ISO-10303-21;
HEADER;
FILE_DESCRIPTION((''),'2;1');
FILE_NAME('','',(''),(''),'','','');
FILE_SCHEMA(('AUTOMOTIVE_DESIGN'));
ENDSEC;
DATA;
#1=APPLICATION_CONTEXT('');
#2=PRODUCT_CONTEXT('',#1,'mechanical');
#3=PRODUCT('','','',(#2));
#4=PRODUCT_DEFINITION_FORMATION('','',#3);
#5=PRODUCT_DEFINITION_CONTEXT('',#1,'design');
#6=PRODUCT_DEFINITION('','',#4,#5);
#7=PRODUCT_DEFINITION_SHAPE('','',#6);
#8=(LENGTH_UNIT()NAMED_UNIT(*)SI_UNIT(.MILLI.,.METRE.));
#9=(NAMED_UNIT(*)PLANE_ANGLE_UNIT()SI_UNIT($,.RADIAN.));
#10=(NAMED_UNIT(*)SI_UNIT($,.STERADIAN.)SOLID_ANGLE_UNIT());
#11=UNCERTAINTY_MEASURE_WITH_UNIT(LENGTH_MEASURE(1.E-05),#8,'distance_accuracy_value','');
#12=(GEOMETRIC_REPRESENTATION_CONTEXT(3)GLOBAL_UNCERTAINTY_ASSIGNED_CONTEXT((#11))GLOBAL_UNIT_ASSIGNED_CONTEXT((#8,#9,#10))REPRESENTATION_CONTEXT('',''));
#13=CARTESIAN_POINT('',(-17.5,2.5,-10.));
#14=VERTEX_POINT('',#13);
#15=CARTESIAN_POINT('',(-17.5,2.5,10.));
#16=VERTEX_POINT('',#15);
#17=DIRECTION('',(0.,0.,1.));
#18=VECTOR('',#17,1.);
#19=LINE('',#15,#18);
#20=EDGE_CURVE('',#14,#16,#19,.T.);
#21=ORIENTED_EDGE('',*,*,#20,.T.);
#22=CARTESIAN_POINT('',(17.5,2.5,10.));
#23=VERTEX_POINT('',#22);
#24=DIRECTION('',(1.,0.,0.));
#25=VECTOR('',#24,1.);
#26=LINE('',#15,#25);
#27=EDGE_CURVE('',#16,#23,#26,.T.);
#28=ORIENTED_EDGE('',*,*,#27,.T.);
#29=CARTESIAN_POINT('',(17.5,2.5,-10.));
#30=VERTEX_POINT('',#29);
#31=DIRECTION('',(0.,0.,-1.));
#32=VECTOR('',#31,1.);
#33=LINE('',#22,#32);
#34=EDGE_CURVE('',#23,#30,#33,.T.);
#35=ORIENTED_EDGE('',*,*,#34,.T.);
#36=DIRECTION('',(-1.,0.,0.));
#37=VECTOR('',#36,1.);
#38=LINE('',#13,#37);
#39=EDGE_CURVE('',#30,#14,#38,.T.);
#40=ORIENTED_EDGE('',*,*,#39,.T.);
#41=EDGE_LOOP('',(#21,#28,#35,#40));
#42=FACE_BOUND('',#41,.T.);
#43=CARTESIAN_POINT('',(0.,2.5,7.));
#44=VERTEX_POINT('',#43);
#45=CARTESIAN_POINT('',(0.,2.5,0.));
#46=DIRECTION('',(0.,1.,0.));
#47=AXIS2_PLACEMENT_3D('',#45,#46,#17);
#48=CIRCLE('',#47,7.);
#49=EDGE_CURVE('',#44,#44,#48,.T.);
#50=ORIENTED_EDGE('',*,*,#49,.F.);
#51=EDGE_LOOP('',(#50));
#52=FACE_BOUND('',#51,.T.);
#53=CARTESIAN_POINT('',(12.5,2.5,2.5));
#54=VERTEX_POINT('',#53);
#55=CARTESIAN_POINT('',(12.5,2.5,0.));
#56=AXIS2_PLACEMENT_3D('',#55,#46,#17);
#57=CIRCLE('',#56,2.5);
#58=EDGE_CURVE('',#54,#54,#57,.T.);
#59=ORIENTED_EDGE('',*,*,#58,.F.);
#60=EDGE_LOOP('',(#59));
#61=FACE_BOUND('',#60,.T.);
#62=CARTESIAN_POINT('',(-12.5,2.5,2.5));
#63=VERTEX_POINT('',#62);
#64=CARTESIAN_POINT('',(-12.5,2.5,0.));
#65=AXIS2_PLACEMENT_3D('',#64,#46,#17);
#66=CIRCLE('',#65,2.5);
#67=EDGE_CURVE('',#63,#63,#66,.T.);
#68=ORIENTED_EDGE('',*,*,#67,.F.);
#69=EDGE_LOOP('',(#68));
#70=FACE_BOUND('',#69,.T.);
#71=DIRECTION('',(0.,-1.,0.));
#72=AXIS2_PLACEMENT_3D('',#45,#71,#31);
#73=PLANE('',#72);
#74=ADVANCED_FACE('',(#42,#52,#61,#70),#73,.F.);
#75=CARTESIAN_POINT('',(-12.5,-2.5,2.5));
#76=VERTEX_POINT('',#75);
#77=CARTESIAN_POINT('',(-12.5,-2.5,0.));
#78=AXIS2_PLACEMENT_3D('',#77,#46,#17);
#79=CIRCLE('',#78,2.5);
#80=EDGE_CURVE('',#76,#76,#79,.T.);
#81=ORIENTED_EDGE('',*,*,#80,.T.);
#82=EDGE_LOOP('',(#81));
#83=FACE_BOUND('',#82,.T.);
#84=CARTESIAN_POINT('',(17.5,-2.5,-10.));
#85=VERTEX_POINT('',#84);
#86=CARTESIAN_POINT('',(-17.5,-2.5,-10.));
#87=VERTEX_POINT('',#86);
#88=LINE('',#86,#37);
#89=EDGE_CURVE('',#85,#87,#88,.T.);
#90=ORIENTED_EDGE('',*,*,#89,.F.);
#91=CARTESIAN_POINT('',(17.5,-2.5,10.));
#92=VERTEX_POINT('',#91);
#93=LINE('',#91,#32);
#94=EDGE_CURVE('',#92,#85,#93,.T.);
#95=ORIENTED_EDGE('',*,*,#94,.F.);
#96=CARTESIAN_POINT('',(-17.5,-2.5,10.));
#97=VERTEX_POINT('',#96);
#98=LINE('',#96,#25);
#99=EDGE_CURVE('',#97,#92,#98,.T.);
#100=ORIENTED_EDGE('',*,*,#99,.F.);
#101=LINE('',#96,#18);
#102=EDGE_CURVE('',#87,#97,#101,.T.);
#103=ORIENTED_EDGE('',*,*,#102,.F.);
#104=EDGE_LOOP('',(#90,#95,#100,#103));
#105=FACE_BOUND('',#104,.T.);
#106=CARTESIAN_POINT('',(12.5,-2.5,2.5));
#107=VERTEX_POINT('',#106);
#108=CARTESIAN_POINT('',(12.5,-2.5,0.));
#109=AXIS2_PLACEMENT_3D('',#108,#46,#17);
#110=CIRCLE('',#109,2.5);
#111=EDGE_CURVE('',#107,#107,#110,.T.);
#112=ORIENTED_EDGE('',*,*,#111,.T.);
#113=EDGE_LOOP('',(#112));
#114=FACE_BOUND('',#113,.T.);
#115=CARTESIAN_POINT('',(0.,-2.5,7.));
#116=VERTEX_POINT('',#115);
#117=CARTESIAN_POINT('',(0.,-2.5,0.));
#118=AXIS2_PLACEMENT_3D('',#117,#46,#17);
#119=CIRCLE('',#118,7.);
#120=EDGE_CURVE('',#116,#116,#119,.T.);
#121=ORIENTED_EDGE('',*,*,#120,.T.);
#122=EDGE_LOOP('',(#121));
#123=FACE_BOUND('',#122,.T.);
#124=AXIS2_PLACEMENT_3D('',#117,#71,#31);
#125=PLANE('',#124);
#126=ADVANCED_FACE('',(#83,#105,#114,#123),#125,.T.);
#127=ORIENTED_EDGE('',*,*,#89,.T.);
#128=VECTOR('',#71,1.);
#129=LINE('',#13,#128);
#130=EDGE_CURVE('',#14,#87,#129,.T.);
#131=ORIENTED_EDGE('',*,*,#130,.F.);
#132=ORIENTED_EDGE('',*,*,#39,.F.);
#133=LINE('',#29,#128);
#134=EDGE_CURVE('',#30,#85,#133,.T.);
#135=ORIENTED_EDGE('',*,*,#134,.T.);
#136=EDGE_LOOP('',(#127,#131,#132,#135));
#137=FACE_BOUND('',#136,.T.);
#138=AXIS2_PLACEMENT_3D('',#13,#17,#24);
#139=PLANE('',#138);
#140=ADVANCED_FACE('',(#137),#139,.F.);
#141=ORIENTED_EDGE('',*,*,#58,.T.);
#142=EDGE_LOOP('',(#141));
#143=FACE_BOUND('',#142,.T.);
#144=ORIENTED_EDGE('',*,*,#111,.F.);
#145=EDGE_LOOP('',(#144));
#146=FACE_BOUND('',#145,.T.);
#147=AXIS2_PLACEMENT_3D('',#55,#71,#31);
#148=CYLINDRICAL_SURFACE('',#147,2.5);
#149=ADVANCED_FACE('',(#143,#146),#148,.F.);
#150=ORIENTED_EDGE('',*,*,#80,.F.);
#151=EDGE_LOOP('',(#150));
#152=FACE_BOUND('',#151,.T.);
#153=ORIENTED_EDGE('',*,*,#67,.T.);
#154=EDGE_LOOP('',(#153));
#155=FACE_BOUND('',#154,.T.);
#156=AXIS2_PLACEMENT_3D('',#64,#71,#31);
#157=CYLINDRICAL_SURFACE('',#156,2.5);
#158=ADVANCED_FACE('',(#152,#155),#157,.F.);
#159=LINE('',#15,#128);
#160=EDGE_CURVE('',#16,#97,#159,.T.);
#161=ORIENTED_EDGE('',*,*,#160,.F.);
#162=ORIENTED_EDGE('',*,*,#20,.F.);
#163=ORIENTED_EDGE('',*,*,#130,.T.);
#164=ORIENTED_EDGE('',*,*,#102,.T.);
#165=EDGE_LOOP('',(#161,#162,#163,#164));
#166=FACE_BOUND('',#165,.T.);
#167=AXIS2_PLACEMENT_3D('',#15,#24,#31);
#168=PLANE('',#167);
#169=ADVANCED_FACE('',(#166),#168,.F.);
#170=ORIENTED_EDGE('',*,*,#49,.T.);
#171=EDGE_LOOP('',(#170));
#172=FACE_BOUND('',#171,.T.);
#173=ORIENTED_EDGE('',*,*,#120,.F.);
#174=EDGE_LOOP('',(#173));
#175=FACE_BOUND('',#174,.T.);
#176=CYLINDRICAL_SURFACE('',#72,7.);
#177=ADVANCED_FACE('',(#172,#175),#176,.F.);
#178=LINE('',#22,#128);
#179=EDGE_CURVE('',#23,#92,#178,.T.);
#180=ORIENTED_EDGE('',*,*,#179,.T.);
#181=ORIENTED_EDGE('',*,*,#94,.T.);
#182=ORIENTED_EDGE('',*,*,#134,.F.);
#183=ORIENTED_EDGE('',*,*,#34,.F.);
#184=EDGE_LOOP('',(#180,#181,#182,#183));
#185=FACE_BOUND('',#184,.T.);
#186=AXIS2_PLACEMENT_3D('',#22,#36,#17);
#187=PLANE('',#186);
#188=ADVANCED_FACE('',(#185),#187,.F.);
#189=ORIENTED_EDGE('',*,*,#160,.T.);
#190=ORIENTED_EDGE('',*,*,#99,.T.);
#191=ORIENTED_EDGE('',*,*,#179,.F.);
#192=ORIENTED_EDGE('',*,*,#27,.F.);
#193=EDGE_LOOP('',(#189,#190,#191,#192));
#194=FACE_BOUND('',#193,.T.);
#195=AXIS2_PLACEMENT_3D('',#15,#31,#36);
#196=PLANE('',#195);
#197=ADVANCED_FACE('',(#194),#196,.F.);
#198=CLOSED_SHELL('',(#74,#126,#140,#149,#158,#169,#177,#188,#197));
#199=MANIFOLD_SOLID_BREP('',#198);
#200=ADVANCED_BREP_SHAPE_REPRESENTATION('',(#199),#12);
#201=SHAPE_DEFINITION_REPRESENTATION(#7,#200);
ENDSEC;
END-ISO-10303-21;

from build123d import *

# Parameters (mm, degrees)
SKETCH1_W           = 35
SKETCH1_H           = 20
SKETCH1_R           = 7
SKETCH1_R_2         = 2.5
BOSS_EXTRUDE1_DEPTH = 2.5


with BuildPart() as part:
    # Sketch1 → Boss-Extrude1 (new, symmetric)
    with BuildSketch(Plane(origin=(0, 0, 0), x_dir=(1, 0, 0), z_dir=(0, 1, 0))):
        Rectangle(SKETCH1_W, SKETCH1_H)
        with Locations(Location((0, 0, 0), (0, 0, 270))):
            Circle(SKETCH1_R, mode=Mode.SUBTRACT)
        with Locations(Location((12.5, 0, 0), (0, 0, 270))):
            Circle(SKETCH1_R_2, mode=Mode.SUBTRACT)
        with Locations(Location((-12.5, 0, 0), (0, 0, 270))):
            Circle(SKETCH1_R_2, mode=Mode.SUBTRACT)
    extrude(amount=BOSS_EXTRUDE1_DEPTH, both=True)


solid = part.part
